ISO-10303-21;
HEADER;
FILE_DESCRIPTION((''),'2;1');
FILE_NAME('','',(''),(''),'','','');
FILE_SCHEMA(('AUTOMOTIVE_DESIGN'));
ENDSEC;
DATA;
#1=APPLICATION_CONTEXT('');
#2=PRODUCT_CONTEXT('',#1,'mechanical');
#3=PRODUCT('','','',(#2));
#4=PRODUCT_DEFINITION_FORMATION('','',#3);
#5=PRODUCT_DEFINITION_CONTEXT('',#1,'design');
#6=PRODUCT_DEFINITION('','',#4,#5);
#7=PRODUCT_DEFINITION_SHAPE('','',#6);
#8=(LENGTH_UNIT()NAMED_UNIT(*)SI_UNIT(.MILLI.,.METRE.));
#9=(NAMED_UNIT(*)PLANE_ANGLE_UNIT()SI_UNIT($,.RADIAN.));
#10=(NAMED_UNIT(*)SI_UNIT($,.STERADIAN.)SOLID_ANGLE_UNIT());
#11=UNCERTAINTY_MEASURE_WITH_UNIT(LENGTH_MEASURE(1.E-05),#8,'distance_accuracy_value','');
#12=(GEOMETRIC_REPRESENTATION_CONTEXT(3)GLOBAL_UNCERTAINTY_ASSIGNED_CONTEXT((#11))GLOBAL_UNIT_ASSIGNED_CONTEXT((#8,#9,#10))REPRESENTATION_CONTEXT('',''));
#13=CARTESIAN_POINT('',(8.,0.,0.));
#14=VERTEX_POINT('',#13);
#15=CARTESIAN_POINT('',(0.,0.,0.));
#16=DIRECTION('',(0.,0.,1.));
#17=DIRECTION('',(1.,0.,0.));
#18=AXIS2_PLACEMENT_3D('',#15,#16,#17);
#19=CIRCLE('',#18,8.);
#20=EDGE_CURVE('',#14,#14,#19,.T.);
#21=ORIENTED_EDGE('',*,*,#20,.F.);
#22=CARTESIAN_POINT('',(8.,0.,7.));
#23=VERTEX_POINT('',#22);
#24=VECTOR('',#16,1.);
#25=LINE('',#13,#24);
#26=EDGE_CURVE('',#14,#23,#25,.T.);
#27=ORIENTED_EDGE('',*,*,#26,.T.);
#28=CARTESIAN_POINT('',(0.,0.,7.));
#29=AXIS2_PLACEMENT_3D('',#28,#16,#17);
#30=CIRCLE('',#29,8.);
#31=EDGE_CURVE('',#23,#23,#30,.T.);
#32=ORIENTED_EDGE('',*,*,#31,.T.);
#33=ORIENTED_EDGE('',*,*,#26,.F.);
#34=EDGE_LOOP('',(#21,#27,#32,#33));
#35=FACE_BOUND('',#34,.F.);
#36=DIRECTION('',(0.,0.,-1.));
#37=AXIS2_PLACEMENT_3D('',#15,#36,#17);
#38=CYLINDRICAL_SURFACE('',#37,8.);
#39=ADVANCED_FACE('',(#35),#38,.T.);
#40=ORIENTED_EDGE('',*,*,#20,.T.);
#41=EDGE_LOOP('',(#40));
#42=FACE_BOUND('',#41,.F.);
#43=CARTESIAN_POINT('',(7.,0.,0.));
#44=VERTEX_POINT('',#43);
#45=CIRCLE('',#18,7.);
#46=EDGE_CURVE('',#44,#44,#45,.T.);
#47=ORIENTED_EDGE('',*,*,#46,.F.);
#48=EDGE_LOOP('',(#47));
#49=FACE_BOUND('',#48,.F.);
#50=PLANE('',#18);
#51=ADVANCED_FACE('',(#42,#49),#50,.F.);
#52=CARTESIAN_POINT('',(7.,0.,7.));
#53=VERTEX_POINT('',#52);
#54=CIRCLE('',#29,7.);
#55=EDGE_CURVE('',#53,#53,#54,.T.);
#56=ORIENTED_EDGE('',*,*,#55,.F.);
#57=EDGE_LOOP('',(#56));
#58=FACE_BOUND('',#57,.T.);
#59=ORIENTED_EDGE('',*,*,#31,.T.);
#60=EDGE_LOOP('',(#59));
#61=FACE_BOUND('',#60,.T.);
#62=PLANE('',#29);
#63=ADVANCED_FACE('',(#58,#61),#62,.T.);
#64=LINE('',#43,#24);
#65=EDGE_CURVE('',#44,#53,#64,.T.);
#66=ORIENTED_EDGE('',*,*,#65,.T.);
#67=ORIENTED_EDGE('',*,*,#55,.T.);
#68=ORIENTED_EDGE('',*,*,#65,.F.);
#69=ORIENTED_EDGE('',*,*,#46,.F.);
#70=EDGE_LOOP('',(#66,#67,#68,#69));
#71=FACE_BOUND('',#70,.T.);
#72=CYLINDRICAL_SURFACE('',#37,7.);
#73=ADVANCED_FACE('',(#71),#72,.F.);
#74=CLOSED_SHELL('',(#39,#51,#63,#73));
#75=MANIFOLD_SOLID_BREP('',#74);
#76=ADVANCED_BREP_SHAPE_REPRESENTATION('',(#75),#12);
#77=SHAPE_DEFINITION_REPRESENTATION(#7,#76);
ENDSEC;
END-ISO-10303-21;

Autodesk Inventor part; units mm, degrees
ref_plane "YZ Plane" through (0, 0, 0) normal (1, 0, 0) x (0, 1, 0)
ref_plane "XZ Plane" through (0, 0, 0) normal (0, 1, 0) x (-1, 0, 0)
ref_plane "XY Plane" through (0, 0, 0) normal (0, 0, 1) x (1, 0, 0)
sketch "Sketch_1" plane through (0, 0, 0) normal (0, 0, 1) x (1, 0, 0)
  circle A0 centre (0, 0) radius 8
  circle A1 centre (0, 0) radius 7
  dimension "d9" = 16
  dimension "d10" = 14
extrude "押し出し1" add sketch "Sketch_1" along normal blind 7
properties part number "オイレスd14D16L7"
